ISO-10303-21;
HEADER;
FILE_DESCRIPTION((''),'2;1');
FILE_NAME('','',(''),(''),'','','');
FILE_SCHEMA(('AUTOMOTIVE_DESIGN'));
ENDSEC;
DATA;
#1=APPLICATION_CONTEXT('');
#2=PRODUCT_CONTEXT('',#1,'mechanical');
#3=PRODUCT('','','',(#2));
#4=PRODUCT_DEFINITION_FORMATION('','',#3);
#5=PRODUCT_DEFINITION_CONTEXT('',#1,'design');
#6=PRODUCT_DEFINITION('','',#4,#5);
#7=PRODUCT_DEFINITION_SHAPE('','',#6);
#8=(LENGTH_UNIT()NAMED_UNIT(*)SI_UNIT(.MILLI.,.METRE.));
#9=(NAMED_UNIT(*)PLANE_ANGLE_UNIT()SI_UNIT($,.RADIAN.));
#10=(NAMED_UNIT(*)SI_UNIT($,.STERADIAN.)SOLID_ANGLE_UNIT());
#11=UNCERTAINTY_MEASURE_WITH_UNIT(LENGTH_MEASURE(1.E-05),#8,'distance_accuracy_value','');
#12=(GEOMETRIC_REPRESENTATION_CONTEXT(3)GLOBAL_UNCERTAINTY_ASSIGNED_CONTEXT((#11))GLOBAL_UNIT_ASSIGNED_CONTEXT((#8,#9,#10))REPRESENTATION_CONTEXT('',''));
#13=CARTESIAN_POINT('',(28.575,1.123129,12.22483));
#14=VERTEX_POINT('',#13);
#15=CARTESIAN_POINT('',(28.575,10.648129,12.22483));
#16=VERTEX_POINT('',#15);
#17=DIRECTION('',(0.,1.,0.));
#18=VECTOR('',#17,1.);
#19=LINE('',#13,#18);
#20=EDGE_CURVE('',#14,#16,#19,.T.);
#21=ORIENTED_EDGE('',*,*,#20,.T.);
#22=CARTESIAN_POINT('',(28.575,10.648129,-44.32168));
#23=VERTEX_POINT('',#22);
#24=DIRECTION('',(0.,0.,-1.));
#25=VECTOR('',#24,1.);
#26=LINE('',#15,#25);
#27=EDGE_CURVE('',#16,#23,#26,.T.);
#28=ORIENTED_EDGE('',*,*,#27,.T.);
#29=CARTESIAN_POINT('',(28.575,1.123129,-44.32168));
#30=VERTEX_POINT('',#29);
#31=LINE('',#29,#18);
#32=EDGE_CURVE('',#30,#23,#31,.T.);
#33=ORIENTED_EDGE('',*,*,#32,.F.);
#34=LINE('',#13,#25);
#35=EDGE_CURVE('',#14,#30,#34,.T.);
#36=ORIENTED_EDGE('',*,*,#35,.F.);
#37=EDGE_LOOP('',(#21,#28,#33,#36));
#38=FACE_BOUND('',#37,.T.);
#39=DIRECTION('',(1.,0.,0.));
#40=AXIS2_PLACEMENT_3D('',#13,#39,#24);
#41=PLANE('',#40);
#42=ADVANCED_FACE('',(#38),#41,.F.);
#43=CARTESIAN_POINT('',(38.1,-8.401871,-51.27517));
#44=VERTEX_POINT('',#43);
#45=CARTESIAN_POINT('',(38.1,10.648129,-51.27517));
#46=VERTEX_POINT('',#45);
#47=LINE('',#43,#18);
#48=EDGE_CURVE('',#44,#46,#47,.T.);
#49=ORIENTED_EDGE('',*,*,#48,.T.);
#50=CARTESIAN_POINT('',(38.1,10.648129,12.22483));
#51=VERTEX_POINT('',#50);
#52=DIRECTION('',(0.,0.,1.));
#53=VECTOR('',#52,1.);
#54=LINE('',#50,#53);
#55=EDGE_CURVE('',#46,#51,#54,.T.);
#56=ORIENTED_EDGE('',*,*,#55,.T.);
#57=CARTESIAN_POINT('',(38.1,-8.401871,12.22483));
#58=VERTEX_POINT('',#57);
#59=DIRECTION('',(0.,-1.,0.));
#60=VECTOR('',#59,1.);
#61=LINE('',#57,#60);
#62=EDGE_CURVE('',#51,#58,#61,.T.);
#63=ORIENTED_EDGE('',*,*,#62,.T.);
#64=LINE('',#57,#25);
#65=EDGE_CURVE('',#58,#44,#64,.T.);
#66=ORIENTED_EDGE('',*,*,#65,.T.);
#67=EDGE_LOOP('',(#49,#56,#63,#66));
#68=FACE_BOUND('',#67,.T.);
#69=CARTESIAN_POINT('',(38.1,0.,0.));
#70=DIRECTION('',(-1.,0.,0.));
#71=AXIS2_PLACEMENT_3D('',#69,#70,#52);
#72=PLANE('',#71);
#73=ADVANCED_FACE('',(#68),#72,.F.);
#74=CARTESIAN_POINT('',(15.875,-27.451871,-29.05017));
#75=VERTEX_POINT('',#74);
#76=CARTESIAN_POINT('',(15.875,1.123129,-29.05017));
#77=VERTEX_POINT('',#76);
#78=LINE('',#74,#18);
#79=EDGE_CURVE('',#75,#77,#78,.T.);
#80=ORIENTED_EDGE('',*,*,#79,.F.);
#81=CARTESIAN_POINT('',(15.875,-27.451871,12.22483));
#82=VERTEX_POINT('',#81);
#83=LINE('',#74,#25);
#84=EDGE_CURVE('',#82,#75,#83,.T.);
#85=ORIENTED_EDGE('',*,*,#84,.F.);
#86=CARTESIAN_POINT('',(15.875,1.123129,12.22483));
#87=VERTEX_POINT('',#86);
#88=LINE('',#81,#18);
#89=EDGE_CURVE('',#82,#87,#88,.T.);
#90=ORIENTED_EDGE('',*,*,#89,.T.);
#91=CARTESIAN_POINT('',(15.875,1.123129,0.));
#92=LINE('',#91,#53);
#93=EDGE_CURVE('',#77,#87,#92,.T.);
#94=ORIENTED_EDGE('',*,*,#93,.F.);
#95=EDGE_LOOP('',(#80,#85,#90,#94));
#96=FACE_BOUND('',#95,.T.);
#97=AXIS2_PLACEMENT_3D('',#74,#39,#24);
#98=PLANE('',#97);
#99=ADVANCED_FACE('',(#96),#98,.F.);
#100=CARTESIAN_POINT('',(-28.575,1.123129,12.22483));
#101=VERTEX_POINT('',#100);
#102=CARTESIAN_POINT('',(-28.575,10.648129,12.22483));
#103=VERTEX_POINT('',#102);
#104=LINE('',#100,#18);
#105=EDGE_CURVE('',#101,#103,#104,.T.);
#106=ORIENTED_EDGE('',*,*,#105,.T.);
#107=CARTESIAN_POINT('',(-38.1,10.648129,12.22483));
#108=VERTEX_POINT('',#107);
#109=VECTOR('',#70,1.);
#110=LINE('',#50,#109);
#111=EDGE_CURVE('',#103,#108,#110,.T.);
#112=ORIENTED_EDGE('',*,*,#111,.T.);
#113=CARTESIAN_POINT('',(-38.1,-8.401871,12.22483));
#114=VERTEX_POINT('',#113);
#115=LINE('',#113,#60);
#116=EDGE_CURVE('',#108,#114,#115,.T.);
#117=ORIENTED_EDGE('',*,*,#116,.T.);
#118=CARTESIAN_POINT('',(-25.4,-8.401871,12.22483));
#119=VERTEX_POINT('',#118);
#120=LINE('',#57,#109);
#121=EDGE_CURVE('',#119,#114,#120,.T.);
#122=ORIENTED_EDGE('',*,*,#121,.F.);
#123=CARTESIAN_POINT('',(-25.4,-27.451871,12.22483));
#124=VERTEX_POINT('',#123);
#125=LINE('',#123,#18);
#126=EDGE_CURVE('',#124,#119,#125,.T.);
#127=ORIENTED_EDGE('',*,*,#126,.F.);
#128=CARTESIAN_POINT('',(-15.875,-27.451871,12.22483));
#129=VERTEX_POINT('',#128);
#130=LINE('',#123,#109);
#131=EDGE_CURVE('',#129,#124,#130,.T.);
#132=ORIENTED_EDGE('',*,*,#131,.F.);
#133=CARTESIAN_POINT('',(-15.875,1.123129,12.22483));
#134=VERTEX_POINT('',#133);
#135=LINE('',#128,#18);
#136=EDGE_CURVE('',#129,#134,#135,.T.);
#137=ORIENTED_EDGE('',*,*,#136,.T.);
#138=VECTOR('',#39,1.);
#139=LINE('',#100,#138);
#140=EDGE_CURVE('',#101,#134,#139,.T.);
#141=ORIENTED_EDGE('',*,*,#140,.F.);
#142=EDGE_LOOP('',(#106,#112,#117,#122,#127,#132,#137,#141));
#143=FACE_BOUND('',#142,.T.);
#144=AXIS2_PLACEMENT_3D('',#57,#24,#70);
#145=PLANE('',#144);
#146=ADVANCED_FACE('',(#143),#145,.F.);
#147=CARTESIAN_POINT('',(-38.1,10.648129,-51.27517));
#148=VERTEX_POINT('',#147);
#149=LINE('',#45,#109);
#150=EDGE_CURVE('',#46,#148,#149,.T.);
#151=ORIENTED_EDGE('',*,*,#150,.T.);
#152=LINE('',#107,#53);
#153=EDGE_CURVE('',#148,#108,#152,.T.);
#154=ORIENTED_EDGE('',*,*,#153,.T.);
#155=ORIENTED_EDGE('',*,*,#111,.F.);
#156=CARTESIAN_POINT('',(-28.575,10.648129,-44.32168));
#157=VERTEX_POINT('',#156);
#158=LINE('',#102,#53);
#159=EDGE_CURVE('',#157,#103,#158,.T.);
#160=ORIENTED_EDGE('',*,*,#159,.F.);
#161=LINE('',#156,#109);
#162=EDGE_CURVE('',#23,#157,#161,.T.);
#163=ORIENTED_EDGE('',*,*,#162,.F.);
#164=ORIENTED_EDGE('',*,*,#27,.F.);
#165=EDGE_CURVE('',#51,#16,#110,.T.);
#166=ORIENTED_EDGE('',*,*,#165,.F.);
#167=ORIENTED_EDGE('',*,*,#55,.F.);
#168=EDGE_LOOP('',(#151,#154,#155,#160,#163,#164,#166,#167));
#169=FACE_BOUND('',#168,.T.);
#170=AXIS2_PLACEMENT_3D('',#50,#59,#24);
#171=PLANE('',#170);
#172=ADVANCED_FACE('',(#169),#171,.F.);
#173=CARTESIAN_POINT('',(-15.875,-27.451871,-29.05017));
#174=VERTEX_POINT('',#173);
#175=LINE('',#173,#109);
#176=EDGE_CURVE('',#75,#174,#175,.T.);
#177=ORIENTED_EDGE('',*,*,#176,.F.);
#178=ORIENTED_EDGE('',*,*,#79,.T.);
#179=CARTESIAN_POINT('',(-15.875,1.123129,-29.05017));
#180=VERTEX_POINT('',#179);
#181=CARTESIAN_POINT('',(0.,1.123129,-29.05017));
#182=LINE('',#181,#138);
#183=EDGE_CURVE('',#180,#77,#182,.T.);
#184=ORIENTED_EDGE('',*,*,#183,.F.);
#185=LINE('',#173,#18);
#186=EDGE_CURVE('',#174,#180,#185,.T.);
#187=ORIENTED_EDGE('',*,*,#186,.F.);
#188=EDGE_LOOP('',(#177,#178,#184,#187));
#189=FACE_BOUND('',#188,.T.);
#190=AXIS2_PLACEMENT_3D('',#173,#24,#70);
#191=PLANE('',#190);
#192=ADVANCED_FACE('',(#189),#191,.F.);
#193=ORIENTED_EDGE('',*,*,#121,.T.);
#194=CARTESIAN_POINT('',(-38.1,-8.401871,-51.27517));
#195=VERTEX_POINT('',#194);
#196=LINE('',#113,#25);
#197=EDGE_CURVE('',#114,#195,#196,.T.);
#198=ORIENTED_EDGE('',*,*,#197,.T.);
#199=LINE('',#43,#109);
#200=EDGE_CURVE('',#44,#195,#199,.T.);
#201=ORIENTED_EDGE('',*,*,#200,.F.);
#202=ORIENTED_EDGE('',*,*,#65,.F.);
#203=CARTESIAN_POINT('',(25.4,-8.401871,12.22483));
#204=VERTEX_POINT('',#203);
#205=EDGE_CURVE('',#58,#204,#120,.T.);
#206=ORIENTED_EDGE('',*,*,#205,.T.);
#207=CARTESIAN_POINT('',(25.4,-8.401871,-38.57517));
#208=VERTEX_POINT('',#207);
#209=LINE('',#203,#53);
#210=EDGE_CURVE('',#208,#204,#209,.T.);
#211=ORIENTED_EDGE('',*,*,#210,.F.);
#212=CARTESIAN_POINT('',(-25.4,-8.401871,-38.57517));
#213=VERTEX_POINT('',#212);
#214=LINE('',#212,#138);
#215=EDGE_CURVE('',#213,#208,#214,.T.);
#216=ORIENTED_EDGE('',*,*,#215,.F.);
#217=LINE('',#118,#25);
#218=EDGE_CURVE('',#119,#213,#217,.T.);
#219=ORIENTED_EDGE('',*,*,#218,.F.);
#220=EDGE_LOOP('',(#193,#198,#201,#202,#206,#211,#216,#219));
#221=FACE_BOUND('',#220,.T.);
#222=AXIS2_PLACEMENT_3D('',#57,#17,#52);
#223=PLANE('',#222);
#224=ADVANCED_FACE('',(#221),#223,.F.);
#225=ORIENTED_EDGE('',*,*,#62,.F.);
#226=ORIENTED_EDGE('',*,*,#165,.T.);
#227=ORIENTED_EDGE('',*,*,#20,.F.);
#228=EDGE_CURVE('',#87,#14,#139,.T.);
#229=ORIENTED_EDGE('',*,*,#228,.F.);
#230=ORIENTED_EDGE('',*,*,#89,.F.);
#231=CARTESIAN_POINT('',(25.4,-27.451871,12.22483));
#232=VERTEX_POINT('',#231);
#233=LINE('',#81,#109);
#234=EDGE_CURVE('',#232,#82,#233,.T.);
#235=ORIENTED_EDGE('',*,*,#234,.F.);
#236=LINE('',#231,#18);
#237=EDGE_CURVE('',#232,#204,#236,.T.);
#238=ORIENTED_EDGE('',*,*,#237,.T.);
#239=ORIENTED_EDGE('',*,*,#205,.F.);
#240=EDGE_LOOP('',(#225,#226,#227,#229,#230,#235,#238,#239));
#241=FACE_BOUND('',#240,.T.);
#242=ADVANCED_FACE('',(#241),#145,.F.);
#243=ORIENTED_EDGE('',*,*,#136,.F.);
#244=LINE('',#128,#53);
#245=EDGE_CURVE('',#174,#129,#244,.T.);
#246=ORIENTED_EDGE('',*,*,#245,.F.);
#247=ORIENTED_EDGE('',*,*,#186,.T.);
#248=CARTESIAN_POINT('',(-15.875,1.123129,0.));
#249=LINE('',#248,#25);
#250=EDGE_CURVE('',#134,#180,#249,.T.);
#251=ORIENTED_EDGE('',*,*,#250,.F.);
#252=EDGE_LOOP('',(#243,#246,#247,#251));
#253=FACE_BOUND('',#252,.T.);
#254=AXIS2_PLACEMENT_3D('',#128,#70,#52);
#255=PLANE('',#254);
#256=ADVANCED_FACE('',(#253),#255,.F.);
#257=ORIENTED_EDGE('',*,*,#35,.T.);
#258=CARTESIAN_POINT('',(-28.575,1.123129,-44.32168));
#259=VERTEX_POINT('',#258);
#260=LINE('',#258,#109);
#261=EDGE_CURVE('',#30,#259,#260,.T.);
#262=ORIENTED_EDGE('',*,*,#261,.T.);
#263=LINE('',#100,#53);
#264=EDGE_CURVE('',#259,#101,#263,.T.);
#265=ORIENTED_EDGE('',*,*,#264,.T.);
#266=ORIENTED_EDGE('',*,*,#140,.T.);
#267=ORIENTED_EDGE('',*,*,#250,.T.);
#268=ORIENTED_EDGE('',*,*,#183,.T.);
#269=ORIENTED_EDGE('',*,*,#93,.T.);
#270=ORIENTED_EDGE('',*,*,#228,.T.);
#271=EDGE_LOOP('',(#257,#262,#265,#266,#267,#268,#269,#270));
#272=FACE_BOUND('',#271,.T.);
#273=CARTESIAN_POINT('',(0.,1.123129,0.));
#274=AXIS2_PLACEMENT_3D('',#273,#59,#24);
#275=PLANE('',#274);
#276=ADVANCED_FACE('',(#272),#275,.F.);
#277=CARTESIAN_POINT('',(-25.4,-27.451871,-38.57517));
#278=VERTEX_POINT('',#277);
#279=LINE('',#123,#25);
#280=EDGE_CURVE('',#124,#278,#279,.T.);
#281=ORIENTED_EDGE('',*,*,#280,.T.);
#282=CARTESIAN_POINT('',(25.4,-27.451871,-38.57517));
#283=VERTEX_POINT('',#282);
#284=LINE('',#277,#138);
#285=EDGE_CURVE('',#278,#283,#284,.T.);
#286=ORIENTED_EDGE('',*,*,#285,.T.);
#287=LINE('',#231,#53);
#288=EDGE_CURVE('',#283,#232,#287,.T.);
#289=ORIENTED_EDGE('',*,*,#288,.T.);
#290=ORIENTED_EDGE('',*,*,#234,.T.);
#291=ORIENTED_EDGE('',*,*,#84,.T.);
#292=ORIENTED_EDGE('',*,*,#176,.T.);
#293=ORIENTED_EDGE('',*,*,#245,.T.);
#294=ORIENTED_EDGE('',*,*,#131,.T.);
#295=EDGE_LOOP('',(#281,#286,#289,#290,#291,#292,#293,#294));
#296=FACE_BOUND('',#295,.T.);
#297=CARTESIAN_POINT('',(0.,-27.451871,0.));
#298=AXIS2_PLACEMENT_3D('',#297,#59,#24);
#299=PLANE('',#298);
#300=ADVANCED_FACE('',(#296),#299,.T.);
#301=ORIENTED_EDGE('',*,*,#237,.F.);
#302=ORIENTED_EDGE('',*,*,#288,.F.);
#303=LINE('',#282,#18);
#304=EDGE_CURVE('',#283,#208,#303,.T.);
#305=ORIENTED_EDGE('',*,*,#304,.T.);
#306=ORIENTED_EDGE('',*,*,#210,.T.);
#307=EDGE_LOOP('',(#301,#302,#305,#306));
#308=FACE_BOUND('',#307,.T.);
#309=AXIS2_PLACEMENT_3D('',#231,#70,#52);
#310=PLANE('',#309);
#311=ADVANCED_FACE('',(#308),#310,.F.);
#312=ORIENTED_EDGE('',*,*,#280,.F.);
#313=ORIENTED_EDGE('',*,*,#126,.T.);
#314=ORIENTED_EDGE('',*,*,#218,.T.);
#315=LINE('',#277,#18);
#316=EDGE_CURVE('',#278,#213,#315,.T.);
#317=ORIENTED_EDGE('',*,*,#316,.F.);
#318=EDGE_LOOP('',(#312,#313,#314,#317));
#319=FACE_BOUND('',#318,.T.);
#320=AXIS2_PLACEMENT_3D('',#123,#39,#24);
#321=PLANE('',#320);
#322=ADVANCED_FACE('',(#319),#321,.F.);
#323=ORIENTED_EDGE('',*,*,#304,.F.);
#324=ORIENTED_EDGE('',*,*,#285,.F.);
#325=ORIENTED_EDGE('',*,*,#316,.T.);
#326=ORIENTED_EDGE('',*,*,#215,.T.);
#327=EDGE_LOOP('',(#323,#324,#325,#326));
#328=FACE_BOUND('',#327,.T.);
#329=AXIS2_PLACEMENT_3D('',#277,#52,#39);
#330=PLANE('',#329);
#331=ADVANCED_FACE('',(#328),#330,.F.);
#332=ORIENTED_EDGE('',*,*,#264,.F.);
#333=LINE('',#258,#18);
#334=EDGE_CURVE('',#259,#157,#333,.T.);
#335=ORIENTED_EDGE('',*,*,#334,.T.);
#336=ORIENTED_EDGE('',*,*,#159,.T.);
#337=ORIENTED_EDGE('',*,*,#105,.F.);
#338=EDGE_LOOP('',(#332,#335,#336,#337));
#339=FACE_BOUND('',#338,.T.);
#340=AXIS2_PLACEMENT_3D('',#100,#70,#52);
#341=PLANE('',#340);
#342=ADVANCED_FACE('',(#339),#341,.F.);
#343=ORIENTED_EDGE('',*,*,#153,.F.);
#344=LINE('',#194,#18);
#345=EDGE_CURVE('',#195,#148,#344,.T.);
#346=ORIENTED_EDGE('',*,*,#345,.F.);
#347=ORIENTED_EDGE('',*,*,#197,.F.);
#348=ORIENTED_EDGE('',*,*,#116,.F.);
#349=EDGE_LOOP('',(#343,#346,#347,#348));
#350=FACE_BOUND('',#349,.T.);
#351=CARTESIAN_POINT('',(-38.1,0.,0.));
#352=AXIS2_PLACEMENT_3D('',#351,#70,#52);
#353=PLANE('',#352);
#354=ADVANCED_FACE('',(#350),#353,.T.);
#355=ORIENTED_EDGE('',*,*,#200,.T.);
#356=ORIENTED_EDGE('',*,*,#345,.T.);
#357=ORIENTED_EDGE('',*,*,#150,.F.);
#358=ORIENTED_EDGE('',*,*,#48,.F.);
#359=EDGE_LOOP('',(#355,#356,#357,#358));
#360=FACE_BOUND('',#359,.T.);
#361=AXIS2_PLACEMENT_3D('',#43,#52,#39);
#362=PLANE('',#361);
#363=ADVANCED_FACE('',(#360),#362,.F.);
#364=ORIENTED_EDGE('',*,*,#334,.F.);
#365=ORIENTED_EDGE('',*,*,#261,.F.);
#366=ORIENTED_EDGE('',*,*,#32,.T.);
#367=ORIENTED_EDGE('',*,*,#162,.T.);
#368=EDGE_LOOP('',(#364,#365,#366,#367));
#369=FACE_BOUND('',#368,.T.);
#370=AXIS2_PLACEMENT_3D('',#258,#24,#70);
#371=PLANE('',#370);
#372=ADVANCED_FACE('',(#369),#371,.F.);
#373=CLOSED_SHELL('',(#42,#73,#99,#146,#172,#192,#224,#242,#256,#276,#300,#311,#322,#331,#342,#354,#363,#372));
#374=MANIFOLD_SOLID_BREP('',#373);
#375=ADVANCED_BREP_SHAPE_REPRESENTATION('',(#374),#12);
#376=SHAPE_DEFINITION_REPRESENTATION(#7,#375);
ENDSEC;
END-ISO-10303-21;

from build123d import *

# Parameters (mm, degrees)
SKETCH1_W           = 63.5
SKETCH1_H           = 19.05
BOSS_EXTRUDE1_DEPTH = 38.1
SKETCH2_W           = 57.15
SKETCH2_H           = 56.546509541
CUT_EXTRUDE1_DEPTH  = 9.525
BOSS_EXTRUDE3_DEPTH = 19.05
SKETCH6_W           = 31.75
SKETCH6_H           = 41.275
CUT_EXTRUDE3_DEPTH  = 19.05


with BuildPart() as part:
    # Sketch1 → Boss-Extrude1 (new body, symmetric)
    with BuildSketch(Plane(origin=(0, 0, 0), x_dir=(0, 0, -1), z_dir=(1, 0, 0))):
        with Locations((19.525170068, 1.123129252)):
            Rectangle(SKETCH1_W, SKETCH1_H)
    extrude(amount=BOSS_EXTRUDE1_DEPTH, both=True)

    # Sketch2 → Cut-Extrude1 (cut)
    with BuildSketch(Plane(origin=(0, 10.648129252, 0), x_dir=(1, 0, 0), z_dir=(0, 1, 0))):
        with Locations((0, 16.048424839)):
            Rectangle(SKETCH2_W, SKETCH2_H)
    extrude(amount=-CUT_EXTRUDE1_DEPTH, mode=Mode.SUBTRACT)

    # Sketch5 → Boss-Extrude3 (add)
    with BuildSketch(Plane.XZ.offset(8.401870748)):
        Polygon((-25.4, 12.224829932), (-15.875, 12.224829932), (-15.875, -29.050170068), (15.875, -29.050170068), (15.875, 12.224829932), (25.4, 12.224829932), (25.4, -38.575170068), (-25.4, -38.575170068), align=None)
    extrude(amount=BOSS_EXTRUDE3_DEPTH)

    # Sketch6 → Cut-Extrude3 (cut)
    with BuildSketch(Plane.XZ.offset(8.401870748)):
        with Locations((0, -8.412670068)):
            Rectangle(SKETCH6_W, SKETCH6_H)
    extrude(amount=-CUT_EXTRUDE3_DEPTH, mode=Mode.SUBTRACT)


solid = part.part
